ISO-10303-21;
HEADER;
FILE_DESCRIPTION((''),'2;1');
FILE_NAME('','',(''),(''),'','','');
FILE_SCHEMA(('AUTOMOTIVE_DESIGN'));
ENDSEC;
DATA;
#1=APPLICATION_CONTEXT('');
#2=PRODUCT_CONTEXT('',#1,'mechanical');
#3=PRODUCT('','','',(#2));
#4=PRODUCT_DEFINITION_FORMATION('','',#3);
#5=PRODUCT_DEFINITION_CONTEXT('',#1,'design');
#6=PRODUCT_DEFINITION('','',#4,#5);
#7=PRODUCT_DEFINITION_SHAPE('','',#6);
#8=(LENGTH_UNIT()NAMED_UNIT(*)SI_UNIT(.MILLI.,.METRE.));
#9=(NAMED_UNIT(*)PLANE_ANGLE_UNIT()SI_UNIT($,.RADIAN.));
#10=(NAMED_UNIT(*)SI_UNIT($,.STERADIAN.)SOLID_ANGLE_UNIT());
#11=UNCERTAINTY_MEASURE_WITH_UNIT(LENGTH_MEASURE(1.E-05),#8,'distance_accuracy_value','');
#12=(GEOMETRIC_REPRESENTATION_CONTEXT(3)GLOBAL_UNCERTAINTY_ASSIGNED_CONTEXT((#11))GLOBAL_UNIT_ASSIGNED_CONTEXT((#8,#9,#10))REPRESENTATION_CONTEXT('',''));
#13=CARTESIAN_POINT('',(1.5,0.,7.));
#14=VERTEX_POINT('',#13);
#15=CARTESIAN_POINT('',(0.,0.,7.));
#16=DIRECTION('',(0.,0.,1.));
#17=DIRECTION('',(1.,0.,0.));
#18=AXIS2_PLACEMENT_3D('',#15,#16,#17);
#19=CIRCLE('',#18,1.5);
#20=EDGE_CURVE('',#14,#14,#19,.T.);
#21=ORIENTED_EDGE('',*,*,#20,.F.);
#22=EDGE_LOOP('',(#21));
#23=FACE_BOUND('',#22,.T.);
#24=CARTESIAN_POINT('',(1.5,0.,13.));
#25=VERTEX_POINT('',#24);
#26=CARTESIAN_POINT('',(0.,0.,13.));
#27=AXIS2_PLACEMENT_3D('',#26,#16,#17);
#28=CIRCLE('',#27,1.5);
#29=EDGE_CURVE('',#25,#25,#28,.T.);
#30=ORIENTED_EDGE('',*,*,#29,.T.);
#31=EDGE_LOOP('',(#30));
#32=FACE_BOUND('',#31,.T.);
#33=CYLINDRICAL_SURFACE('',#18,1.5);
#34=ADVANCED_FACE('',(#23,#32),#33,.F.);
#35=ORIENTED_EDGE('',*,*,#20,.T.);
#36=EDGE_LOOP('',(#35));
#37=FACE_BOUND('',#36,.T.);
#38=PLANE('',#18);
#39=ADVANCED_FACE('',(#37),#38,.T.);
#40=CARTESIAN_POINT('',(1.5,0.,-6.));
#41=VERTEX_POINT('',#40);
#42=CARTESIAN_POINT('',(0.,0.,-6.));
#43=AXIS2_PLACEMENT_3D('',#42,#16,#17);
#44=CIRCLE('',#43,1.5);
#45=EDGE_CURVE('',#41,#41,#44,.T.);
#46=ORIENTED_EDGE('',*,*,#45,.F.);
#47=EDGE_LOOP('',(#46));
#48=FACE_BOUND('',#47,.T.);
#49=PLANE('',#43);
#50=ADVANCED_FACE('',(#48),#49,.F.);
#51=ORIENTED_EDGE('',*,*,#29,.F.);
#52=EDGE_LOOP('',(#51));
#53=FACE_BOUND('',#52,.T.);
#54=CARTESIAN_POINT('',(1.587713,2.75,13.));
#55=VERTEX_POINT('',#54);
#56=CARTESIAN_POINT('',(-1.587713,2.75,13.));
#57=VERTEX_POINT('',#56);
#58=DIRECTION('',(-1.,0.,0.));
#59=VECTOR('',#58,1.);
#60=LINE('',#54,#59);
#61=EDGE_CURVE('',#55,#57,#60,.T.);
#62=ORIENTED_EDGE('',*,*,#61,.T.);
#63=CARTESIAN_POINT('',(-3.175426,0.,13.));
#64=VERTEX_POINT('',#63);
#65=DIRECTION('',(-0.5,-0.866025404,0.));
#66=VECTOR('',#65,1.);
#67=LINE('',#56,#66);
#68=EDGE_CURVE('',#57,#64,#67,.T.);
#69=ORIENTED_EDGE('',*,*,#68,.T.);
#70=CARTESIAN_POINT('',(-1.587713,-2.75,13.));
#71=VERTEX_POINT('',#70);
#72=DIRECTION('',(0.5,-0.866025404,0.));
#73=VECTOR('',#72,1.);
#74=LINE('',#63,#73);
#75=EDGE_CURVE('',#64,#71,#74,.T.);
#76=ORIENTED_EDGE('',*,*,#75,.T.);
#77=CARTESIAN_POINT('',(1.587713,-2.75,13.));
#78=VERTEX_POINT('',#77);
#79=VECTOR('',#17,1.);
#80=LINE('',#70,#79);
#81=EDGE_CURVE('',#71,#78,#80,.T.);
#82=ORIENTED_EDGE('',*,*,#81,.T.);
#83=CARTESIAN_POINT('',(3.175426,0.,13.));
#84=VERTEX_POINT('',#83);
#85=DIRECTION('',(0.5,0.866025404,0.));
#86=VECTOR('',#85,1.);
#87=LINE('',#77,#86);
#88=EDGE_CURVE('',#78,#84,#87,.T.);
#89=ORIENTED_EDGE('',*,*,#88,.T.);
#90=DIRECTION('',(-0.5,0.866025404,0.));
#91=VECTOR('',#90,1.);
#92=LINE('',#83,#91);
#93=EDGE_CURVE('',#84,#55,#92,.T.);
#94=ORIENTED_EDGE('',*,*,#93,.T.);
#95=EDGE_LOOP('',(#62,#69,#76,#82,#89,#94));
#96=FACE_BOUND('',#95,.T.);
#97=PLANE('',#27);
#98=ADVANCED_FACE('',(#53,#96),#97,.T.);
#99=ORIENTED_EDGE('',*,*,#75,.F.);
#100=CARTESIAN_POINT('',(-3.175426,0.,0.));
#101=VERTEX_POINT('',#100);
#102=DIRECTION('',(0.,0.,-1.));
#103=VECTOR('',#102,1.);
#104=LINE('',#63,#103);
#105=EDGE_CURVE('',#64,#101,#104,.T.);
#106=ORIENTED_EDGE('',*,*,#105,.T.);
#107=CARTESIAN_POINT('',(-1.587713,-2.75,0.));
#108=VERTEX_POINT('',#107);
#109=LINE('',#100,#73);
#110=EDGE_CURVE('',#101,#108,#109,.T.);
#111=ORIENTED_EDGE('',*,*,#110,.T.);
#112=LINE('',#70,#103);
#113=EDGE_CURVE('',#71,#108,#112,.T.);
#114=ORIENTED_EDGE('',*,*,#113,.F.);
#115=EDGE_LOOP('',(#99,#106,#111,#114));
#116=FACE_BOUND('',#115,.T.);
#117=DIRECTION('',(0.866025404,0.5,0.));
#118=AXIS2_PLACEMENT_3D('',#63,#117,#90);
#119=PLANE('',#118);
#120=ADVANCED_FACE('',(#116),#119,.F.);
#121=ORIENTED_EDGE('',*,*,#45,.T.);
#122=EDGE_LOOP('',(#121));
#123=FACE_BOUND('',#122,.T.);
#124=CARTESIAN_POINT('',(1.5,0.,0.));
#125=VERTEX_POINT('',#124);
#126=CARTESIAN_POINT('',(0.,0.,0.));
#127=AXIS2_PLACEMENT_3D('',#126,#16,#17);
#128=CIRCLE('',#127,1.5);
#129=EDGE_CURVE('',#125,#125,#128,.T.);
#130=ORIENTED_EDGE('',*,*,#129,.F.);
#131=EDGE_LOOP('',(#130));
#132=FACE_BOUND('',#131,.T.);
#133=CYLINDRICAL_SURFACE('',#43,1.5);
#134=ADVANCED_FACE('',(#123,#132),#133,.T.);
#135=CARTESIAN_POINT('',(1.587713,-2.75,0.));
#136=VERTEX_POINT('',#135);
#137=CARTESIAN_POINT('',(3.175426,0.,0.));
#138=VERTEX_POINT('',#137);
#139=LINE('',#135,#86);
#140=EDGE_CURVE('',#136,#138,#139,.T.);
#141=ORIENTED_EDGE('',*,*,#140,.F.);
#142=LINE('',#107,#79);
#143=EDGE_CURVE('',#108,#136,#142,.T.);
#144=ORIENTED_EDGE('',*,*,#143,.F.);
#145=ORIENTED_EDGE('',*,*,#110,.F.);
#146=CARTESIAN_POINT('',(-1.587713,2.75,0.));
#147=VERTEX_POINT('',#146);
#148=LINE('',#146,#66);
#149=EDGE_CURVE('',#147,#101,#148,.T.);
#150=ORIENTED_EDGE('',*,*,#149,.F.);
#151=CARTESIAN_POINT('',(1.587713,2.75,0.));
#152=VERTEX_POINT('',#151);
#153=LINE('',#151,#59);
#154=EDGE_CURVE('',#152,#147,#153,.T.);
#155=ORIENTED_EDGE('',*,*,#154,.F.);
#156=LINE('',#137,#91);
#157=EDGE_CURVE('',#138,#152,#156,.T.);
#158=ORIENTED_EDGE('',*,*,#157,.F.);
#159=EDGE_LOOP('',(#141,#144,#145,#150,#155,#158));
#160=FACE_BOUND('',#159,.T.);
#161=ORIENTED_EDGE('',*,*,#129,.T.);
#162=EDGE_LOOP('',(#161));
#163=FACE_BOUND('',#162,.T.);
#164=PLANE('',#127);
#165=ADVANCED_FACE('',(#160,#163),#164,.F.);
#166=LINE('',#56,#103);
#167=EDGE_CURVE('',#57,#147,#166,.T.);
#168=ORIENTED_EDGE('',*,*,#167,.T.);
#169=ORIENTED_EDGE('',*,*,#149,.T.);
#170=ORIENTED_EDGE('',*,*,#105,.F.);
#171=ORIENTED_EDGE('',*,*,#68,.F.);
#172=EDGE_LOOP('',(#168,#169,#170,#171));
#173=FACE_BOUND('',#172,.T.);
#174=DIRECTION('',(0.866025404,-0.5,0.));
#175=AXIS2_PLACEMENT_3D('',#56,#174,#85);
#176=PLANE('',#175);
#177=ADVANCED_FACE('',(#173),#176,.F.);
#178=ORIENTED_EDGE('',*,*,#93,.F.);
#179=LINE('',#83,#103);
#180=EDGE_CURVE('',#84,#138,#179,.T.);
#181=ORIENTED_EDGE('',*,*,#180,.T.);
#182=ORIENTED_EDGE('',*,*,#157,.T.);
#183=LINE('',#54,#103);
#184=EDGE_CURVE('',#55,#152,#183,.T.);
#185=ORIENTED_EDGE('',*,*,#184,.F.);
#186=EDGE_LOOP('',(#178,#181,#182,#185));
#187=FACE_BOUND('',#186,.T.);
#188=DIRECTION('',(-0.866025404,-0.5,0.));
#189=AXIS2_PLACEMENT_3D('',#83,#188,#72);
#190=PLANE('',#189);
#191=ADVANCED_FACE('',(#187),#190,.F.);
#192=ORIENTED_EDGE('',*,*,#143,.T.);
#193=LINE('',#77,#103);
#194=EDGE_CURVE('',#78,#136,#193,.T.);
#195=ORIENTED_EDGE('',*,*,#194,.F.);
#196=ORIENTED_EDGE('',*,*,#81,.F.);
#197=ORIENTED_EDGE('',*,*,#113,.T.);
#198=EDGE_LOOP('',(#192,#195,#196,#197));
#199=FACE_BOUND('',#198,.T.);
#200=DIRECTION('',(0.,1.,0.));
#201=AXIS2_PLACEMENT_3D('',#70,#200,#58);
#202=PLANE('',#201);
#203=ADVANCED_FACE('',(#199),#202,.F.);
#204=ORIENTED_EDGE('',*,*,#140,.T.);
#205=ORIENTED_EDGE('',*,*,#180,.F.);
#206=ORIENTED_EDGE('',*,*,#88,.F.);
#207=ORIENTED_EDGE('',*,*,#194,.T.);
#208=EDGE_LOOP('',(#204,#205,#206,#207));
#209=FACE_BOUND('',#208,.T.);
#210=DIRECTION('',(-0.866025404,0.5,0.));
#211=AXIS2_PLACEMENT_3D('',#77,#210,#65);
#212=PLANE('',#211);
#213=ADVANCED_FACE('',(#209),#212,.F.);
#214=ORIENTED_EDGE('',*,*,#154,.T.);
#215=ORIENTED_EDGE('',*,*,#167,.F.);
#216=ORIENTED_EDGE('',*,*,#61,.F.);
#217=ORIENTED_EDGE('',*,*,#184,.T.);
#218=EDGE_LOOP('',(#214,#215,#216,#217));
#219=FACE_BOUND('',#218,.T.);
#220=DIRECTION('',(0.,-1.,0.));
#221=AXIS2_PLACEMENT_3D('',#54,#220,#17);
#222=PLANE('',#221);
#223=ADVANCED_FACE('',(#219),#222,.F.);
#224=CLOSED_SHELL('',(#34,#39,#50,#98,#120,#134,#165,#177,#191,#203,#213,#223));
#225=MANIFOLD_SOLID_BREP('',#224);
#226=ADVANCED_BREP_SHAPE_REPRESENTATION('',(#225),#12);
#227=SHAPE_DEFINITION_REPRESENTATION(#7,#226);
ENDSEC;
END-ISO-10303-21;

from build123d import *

# Parameters (mm, degrees)
BOSS_EXTRUDE1_DEPTH = 13
SKETCH1_3_R         = 1.5
BOSS_EXTRUDE2_DEPTH = 6
CUT_EXTRUDE1_START  = 13
SKETCH1_4_R         = 1.5
CUT_EXTRUDE1_DEPTH  = 6


with BuildPart() as part:
    # Sketch1 → Boss-Extrude1 (new body)
    with BuildSketch(Plane.XY):
        Polygon((1.58771324, -2.75), (3.175426481, 0), (1.58771324, 2.75), (-1.58771324, 2.75), (-3.175426481, 0), (-1.58771324, -2.75), align=None)
    extrude(amount=BOSS_EXTRUDE1_DEPTH)

    # Sketch1<3> → Boss-Extrude2 (add)
    with BuildSketch(Plane.XY):
        Circle(SKETCH1_3_R)
    extrude(amount=-BOSS_EXTRUDE2_DEPTH)

    # Sketch1<4> → Cut-Extrude1 (cut)
    with BuildSketch(Plane.XY.offset(CUT_EXTRUDE1_START)):
        Circle(SKETCH1_4_R)
    extrude(amount=-CUT_EXTRUDE1_DEPTH, mode=Mode.SUBTRACT)


solid = part.part
